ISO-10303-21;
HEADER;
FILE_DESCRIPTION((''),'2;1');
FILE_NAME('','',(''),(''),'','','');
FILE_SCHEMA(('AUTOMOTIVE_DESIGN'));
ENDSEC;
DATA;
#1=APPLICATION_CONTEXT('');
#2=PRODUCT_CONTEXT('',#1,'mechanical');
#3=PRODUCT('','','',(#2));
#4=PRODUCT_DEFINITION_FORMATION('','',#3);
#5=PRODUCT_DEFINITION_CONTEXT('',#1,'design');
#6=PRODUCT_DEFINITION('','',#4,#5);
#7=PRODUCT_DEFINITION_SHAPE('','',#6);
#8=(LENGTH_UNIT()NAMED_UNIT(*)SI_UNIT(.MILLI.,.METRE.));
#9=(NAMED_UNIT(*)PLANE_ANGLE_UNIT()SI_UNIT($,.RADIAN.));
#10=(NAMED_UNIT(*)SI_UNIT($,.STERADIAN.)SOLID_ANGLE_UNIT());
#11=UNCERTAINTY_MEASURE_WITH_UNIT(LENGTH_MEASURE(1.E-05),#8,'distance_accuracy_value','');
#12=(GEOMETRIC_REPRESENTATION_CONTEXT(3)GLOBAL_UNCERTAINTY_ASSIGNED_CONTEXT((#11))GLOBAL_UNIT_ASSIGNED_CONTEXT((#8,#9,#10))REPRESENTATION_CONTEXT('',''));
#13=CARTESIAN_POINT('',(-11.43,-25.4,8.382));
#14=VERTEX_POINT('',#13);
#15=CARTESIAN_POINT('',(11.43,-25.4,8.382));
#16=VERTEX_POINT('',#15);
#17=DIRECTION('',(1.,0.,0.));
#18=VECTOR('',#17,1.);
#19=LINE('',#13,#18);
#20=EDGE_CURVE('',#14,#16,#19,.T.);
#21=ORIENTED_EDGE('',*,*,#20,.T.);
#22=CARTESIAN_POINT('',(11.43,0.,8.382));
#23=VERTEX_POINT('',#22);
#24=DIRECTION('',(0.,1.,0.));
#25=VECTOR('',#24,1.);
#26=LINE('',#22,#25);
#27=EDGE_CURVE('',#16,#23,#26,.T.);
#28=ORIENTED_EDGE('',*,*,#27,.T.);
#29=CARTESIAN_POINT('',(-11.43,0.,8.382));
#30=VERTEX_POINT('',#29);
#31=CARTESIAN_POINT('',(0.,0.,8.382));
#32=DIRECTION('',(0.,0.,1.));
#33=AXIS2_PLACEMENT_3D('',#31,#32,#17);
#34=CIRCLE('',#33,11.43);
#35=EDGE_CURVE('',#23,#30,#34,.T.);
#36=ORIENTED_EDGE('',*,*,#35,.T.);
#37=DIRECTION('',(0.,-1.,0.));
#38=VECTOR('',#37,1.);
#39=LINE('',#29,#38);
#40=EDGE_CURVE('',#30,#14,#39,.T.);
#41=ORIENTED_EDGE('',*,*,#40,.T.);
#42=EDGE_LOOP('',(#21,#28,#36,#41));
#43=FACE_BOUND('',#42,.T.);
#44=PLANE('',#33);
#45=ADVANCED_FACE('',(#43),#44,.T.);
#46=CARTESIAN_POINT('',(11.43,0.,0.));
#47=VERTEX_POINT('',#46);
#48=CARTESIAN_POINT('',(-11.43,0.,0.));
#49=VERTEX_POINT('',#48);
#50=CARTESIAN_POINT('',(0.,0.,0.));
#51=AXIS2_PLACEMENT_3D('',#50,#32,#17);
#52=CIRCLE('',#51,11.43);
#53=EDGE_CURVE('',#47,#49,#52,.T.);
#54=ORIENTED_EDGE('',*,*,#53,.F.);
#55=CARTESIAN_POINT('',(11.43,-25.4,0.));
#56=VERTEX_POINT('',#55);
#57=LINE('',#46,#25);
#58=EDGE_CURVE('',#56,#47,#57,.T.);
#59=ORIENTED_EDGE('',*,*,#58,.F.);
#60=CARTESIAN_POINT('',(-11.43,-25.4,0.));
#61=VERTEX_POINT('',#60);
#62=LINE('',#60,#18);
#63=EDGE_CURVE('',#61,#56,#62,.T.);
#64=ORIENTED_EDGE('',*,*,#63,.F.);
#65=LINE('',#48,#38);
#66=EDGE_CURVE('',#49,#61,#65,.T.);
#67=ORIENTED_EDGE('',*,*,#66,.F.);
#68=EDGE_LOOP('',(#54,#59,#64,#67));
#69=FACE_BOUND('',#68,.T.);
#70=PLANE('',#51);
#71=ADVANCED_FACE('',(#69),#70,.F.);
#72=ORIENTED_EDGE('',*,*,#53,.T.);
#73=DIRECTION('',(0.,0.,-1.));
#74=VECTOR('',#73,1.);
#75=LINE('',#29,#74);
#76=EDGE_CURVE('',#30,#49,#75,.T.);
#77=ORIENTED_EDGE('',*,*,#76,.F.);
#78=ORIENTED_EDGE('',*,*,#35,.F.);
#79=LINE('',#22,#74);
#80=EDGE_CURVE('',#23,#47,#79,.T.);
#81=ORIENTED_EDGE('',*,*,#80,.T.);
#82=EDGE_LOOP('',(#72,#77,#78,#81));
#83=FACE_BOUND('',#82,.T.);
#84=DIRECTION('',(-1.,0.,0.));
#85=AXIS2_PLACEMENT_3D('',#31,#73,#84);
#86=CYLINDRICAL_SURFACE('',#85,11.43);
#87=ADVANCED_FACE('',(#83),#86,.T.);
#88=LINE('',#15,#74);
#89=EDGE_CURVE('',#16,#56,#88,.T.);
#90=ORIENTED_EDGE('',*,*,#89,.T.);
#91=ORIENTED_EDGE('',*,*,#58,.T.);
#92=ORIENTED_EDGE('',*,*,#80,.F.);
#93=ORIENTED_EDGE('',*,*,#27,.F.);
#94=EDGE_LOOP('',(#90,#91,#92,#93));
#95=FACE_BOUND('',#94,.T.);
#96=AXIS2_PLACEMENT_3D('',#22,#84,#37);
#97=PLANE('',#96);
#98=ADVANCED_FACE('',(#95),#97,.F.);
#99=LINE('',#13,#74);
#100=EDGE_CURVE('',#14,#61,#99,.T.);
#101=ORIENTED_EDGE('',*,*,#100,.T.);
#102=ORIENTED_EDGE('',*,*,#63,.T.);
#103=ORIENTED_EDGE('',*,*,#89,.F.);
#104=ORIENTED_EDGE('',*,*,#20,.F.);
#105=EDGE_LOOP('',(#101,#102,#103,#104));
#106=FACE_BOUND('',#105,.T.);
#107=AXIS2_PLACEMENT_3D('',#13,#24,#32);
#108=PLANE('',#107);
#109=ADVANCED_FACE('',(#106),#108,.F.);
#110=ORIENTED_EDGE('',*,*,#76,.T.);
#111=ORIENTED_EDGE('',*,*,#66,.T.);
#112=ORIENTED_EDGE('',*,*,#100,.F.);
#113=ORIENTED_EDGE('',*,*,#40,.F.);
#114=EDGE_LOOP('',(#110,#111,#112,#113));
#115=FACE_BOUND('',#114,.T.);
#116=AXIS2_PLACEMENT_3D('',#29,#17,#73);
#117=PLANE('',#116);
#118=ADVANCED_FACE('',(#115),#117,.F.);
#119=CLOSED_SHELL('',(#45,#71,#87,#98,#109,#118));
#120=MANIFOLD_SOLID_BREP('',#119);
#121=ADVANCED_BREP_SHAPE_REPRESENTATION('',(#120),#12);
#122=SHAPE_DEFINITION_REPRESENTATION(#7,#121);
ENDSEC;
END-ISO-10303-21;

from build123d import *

# Parameters (mm, degrees)
BOSS_EXTRUDE1_DEPTH = 8.382


with BuildPart() as part:
    # Sketch1 → Boss-Extrude1 (new body)
    with BuildSketch(Plane.XY):
        with BuildLine():
            Line((-11.43, -25.4), (11.43, -25.4))
            Line((11.43, -25.4), (11.43, 0))
            ThreePointArc((11.43, 0), (0, 11.43), (-11.43, 0))
            Line((-11.43, 0), (-11.43, -25.4))
        make_face()
    extrude(amount=BOSS_EXTRUDE1_DEPTH)


solid = part.part
